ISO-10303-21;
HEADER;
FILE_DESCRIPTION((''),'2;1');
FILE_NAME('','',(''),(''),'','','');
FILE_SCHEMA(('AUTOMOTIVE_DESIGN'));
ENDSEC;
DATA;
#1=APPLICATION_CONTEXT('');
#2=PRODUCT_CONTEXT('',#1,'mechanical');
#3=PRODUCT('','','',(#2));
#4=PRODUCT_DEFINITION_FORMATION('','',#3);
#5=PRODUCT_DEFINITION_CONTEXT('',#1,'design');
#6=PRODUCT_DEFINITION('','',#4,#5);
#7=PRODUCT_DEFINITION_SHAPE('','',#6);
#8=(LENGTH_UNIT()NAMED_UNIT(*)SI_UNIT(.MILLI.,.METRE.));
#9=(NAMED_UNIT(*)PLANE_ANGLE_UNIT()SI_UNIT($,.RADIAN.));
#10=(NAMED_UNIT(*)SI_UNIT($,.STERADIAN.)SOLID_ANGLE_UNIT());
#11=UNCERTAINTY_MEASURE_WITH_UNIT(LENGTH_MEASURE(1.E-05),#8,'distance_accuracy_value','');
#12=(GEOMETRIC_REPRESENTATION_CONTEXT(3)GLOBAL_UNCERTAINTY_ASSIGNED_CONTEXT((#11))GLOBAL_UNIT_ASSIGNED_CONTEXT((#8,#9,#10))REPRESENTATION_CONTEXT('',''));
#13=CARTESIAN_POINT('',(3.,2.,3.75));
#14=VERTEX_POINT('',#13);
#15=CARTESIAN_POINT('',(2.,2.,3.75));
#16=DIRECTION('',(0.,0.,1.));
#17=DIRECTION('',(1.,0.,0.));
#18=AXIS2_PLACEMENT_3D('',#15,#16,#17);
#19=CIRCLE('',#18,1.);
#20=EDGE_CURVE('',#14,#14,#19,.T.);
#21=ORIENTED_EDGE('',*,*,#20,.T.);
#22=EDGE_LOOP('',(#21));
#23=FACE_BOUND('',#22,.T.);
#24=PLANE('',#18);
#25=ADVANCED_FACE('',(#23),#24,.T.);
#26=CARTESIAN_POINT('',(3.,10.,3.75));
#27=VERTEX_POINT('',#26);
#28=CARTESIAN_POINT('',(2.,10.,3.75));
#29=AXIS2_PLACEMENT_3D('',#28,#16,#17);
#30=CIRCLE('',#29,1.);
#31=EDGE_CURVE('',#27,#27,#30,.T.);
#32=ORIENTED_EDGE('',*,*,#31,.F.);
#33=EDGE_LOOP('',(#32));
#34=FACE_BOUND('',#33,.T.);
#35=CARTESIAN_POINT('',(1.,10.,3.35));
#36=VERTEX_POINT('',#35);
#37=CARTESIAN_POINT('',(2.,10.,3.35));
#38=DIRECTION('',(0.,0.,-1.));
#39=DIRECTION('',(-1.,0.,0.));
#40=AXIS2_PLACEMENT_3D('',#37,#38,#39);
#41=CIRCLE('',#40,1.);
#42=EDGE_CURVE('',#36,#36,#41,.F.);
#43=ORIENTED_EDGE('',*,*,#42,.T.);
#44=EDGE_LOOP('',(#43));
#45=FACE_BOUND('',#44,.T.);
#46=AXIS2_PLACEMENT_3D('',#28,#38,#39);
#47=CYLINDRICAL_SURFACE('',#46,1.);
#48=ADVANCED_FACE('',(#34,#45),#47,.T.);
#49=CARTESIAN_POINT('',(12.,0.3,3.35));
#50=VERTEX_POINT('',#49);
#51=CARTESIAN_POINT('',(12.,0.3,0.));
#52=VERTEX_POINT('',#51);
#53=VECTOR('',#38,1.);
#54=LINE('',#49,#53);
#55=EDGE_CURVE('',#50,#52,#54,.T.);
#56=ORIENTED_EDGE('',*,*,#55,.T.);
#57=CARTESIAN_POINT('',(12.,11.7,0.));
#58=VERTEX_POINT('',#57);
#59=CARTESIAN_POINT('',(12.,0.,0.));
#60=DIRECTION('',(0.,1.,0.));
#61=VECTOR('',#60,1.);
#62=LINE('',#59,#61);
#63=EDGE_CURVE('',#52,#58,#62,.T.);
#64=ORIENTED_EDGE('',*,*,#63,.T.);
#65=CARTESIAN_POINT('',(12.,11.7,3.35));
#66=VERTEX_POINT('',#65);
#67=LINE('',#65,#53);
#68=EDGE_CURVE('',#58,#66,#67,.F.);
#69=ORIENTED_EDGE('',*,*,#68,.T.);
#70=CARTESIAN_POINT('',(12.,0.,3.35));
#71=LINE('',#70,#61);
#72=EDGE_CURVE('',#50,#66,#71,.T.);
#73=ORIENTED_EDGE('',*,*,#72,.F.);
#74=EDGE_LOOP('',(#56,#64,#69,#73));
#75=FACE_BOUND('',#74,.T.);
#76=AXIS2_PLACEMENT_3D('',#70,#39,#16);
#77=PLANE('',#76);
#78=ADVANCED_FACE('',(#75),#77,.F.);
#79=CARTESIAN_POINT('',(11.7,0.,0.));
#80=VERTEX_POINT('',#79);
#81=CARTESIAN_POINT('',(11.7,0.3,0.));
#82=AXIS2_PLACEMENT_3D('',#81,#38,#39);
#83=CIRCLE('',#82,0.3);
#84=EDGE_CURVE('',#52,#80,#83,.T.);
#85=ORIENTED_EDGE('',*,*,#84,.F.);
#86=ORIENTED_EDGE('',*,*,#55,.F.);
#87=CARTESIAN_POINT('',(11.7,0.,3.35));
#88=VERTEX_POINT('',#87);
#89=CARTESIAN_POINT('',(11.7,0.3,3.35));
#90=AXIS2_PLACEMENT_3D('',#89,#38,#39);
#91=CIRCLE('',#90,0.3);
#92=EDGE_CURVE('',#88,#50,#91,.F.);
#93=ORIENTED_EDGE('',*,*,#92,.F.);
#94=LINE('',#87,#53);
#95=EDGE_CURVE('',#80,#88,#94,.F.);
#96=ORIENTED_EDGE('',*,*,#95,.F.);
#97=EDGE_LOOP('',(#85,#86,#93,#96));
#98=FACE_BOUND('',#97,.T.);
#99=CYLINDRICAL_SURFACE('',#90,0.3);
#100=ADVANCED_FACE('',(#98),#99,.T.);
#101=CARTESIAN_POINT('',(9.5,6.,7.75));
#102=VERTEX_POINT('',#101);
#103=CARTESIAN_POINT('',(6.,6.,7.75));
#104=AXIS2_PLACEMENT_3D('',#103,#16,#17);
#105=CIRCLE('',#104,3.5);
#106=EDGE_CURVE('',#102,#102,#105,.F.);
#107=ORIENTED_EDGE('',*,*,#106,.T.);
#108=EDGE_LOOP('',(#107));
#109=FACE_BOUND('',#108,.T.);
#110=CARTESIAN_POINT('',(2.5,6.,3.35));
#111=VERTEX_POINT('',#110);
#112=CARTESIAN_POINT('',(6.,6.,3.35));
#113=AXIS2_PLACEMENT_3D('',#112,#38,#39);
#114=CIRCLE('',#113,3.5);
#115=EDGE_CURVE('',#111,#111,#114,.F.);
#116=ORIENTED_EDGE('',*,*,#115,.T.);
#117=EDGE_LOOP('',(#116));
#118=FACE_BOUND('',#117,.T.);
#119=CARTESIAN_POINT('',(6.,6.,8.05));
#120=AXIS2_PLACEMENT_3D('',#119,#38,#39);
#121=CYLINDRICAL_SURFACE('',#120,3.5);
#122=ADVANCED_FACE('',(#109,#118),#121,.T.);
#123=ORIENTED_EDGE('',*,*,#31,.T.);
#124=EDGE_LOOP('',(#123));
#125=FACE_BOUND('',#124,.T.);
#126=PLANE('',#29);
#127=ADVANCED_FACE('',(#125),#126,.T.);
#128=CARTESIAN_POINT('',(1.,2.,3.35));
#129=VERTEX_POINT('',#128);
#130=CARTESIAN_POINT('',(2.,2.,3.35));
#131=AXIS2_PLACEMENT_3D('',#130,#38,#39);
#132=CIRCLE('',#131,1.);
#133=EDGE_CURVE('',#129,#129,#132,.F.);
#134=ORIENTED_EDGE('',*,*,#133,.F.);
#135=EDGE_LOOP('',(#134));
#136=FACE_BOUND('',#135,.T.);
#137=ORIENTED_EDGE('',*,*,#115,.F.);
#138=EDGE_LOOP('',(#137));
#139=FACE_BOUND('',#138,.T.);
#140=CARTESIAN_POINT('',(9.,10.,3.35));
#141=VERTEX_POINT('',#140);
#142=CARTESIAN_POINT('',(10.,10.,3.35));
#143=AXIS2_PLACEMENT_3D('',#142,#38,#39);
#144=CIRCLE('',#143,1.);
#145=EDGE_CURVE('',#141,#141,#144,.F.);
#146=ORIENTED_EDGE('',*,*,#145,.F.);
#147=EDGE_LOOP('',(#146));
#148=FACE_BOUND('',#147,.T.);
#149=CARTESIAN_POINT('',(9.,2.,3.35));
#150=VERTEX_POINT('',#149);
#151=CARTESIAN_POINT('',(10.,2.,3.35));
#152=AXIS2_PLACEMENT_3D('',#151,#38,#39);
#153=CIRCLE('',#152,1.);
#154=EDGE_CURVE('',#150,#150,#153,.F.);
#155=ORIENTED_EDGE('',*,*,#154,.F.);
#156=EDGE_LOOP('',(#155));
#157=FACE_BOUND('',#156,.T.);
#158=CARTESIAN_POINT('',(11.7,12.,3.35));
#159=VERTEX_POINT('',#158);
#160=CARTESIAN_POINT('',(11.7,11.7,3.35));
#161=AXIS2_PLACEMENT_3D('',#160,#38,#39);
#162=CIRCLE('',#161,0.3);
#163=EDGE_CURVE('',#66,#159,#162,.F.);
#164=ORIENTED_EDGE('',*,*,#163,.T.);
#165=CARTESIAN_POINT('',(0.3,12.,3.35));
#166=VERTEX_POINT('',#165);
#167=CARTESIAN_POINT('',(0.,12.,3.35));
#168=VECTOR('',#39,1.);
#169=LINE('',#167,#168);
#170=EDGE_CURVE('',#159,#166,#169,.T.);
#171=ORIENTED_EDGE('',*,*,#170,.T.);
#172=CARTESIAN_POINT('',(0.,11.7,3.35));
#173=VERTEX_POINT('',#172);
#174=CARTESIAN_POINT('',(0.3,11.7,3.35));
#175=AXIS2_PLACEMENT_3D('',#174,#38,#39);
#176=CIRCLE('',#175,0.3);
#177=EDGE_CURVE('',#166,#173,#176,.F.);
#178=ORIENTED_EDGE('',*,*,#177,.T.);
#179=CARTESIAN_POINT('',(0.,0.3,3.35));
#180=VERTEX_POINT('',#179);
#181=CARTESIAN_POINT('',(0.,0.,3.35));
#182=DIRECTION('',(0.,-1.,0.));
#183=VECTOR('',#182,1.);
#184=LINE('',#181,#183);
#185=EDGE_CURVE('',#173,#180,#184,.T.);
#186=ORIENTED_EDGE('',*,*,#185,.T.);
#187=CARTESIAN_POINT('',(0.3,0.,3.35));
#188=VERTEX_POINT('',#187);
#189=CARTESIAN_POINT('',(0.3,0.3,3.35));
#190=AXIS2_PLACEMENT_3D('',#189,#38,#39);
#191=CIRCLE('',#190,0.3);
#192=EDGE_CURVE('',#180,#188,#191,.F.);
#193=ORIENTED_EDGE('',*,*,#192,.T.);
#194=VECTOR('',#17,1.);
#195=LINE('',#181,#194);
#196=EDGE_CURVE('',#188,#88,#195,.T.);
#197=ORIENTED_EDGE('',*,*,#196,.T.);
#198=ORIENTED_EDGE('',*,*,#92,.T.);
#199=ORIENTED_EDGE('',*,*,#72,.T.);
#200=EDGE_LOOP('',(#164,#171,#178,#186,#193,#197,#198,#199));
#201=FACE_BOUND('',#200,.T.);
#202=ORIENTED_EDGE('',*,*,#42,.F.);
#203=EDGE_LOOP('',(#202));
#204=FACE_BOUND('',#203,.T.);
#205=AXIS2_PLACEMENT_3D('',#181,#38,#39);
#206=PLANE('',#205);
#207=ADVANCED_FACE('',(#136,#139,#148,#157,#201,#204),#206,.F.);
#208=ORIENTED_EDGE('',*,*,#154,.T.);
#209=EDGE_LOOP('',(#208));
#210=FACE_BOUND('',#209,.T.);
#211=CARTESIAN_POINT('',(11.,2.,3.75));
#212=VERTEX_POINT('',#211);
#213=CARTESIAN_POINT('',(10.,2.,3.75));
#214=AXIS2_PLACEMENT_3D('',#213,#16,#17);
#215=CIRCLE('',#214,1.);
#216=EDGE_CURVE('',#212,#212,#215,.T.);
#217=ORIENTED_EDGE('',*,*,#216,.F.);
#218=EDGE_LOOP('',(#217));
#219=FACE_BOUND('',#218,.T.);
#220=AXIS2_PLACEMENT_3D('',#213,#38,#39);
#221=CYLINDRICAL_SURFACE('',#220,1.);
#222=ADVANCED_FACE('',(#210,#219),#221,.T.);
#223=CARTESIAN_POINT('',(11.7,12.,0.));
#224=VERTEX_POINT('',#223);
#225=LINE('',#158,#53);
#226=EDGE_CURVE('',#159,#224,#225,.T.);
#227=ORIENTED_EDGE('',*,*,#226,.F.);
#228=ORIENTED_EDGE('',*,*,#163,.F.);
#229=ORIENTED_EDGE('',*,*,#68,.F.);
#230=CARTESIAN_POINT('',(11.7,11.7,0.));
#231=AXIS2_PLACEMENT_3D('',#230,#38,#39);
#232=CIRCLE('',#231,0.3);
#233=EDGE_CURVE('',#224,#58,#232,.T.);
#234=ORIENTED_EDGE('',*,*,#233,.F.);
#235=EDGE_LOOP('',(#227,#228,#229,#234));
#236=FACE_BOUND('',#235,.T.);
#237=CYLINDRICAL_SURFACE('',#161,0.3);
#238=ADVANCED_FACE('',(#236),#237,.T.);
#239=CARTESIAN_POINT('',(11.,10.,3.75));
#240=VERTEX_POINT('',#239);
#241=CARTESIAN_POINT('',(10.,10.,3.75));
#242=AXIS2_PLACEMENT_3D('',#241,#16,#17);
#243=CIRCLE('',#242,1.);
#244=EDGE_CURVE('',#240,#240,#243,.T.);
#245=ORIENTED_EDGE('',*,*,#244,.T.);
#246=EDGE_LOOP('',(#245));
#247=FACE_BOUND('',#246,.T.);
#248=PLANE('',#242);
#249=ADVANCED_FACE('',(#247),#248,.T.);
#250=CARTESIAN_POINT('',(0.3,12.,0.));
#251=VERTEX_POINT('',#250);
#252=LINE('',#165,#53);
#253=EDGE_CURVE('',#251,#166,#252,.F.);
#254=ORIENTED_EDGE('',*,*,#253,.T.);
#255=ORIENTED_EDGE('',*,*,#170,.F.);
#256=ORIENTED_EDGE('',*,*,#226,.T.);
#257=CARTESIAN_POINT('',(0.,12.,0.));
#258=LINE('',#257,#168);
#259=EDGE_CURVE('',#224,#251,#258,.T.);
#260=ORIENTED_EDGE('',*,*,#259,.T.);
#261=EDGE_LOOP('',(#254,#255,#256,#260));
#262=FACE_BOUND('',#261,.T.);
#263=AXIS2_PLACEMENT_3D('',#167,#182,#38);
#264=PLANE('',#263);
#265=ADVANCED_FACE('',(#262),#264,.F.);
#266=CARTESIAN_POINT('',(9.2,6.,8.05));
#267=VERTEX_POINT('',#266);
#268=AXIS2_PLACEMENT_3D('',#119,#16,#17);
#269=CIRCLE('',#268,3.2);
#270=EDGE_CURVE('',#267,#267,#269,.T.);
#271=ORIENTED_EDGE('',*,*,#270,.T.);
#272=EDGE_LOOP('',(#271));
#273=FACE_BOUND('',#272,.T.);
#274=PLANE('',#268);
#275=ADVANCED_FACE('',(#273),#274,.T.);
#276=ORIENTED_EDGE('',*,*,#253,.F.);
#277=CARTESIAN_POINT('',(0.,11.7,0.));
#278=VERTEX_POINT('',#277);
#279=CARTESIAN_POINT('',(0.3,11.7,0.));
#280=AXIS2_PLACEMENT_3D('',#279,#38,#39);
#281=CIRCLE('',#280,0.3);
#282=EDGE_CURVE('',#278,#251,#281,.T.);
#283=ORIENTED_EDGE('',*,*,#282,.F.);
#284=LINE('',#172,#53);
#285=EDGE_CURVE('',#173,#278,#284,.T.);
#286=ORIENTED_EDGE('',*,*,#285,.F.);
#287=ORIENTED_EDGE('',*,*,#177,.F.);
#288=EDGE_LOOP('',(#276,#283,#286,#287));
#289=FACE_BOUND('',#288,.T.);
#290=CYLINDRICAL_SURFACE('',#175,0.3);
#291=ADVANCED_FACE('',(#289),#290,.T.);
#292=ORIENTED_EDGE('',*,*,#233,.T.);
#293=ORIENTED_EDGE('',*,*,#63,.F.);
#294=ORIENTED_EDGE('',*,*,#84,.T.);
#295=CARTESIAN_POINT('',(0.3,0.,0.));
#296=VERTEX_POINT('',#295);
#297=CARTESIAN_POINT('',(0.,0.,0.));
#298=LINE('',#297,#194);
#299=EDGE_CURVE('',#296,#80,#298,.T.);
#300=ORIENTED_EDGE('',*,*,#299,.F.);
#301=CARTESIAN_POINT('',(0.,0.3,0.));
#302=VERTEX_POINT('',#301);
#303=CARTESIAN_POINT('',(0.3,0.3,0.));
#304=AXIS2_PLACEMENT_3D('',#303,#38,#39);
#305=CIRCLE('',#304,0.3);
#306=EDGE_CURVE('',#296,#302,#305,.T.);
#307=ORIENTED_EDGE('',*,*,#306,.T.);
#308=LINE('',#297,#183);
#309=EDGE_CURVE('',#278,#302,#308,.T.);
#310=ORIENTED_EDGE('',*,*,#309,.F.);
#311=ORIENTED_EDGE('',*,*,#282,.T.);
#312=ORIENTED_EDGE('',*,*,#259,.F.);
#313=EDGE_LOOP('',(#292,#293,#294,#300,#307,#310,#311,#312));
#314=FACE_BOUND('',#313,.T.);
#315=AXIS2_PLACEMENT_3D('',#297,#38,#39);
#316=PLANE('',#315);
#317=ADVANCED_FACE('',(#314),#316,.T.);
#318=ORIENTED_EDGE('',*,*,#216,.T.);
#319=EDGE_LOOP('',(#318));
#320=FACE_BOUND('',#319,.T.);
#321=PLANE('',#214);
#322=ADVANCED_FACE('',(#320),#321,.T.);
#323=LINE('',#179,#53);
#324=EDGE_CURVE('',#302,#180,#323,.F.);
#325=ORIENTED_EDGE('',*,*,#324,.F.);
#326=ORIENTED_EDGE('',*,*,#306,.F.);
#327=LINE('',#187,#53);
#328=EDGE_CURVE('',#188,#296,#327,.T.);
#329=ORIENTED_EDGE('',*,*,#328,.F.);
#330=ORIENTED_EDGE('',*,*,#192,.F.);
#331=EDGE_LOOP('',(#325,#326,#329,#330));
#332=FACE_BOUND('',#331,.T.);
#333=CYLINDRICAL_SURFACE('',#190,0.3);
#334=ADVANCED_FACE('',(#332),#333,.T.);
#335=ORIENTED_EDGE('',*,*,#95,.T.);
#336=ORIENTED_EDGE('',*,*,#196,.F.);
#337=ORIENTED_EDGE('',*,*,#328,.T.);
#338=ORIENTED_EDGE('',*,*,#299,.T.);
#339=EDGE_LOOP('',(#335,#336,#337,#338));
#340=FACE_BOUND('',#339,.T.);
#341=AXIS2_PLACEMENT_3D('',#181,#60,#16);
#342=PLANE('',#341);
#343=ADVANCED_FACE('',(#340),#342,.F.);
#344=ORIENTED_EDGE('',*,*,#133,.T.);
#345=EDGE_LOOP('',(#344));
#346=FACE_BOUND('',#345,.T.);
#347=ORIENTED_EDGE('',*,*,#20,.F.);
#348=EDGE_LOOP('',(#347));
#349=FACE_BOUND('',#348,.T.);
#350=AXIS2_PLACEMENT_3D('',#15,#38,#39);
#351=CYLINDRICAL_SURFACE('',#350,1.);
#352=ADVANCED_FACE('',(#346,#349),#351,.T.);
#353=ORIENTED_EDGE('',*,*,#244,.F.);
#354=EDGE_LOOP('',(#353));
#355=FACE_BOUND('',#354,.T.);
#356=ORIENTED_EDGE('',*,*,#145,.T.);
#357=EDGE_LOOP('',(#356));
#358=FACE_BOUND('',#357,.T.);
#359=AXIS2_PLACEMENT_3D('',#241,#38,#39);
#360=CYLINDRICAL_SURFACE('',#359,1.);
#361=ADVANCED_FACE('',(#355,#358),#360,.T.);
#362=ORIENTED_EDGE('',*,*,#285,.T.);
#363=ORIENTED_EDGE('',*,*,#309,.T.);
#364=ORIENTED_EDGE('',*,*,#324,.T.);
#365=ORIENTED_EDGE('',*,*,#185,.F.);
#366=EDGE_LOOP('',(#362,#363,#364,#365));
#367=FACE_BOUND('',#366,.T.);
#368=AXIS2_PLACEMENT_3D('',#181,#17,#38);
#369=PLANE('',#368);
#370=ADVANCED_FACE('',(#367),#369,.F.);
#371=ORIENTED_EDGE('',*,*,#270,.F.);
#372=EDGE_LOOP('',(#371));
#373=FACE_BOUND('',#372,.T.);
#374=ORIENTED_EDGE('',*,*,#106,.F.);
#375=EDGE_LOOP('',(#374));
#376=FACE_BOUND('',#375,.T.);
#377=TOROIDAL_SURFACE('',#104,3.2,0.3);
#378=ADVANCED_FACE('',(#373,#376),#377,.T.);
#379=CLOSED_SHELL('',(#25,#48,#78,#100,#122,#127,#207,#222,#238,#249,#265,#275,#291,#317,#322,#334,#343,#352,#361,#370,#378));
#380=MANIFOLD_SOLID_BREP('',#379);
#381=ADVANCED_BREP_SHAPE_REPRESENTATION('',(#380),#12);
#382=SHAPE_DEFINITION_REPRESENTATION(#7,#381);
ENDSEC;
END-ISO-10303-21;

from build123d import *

# Parameters (mm, degrees)
SKETCH2_W           = 12
SKETCH2_H           = 12
BOSS_EXTRUDE1_DEPTH = 3.35
SKETCH3_R           = 3.5
BOSS_EXTRUDE2_DEPTH = 4.7
FILLET1_R           = 0.3
SKETCH5_R           = 1
BOSS_EXTRUDE3_DEPTH = 0.4


with BuildPart() as part:
    # Sketch2 → Boss-Extrude1 (new body)
    with BuildSketch(Plane.XY):
        with Locations((6, 6)):
            Rectangle(SKETCH2_W, SKETCH2_H)
    extrude(amount=BOSS_EXTRUDE1_DEPTH)

    # Sketch3 → Boss-Extrude2 (add)
    with BuildSketch(Plane.XY.offset(3.35)):
        with Locations(Location((6, 6, 0), (0, 0, 180))):
            Circle(SKETCH3_R)
    extrude(amount=BOSS_EXTRUDE2_DEPTH)

    # Fillet1
    fillet1_edges = [part.edges().sort_by_distance(p)[0] for p in [
        (9.5, 6, 8.05),
        (0, 12, 1.675),
        (12, 12, 1.675),
        (12, 0, 1.675),
        (0, 0, 1.675),
    ]]
    fillet(fillet1_edges, radius=FILLET1_R)

    # Sketch5 → Boss-Extrude3 (add)
    with BuildSketch(Plane.XY.offset(3.35)):
        with Locations(Location((2, 10, 0), (0, 0, 180))):
            Circle(SKETCH5_R)
        with Locations(Location((10, 10, 0), (0, 0, 180))):
            Circle(SKETCH5_R)
        with Locations(Location((10, 2, 0), (0, 0, 180))):
            Circle(SKETCH5_R)
        with Locations(Location((2, 2, 0), (0, 0, 180))):
            Circle(SKETCH5_R)
    extrude(amount=BOSS_EXTRUDE3_DEPTH)


solid = part.part
